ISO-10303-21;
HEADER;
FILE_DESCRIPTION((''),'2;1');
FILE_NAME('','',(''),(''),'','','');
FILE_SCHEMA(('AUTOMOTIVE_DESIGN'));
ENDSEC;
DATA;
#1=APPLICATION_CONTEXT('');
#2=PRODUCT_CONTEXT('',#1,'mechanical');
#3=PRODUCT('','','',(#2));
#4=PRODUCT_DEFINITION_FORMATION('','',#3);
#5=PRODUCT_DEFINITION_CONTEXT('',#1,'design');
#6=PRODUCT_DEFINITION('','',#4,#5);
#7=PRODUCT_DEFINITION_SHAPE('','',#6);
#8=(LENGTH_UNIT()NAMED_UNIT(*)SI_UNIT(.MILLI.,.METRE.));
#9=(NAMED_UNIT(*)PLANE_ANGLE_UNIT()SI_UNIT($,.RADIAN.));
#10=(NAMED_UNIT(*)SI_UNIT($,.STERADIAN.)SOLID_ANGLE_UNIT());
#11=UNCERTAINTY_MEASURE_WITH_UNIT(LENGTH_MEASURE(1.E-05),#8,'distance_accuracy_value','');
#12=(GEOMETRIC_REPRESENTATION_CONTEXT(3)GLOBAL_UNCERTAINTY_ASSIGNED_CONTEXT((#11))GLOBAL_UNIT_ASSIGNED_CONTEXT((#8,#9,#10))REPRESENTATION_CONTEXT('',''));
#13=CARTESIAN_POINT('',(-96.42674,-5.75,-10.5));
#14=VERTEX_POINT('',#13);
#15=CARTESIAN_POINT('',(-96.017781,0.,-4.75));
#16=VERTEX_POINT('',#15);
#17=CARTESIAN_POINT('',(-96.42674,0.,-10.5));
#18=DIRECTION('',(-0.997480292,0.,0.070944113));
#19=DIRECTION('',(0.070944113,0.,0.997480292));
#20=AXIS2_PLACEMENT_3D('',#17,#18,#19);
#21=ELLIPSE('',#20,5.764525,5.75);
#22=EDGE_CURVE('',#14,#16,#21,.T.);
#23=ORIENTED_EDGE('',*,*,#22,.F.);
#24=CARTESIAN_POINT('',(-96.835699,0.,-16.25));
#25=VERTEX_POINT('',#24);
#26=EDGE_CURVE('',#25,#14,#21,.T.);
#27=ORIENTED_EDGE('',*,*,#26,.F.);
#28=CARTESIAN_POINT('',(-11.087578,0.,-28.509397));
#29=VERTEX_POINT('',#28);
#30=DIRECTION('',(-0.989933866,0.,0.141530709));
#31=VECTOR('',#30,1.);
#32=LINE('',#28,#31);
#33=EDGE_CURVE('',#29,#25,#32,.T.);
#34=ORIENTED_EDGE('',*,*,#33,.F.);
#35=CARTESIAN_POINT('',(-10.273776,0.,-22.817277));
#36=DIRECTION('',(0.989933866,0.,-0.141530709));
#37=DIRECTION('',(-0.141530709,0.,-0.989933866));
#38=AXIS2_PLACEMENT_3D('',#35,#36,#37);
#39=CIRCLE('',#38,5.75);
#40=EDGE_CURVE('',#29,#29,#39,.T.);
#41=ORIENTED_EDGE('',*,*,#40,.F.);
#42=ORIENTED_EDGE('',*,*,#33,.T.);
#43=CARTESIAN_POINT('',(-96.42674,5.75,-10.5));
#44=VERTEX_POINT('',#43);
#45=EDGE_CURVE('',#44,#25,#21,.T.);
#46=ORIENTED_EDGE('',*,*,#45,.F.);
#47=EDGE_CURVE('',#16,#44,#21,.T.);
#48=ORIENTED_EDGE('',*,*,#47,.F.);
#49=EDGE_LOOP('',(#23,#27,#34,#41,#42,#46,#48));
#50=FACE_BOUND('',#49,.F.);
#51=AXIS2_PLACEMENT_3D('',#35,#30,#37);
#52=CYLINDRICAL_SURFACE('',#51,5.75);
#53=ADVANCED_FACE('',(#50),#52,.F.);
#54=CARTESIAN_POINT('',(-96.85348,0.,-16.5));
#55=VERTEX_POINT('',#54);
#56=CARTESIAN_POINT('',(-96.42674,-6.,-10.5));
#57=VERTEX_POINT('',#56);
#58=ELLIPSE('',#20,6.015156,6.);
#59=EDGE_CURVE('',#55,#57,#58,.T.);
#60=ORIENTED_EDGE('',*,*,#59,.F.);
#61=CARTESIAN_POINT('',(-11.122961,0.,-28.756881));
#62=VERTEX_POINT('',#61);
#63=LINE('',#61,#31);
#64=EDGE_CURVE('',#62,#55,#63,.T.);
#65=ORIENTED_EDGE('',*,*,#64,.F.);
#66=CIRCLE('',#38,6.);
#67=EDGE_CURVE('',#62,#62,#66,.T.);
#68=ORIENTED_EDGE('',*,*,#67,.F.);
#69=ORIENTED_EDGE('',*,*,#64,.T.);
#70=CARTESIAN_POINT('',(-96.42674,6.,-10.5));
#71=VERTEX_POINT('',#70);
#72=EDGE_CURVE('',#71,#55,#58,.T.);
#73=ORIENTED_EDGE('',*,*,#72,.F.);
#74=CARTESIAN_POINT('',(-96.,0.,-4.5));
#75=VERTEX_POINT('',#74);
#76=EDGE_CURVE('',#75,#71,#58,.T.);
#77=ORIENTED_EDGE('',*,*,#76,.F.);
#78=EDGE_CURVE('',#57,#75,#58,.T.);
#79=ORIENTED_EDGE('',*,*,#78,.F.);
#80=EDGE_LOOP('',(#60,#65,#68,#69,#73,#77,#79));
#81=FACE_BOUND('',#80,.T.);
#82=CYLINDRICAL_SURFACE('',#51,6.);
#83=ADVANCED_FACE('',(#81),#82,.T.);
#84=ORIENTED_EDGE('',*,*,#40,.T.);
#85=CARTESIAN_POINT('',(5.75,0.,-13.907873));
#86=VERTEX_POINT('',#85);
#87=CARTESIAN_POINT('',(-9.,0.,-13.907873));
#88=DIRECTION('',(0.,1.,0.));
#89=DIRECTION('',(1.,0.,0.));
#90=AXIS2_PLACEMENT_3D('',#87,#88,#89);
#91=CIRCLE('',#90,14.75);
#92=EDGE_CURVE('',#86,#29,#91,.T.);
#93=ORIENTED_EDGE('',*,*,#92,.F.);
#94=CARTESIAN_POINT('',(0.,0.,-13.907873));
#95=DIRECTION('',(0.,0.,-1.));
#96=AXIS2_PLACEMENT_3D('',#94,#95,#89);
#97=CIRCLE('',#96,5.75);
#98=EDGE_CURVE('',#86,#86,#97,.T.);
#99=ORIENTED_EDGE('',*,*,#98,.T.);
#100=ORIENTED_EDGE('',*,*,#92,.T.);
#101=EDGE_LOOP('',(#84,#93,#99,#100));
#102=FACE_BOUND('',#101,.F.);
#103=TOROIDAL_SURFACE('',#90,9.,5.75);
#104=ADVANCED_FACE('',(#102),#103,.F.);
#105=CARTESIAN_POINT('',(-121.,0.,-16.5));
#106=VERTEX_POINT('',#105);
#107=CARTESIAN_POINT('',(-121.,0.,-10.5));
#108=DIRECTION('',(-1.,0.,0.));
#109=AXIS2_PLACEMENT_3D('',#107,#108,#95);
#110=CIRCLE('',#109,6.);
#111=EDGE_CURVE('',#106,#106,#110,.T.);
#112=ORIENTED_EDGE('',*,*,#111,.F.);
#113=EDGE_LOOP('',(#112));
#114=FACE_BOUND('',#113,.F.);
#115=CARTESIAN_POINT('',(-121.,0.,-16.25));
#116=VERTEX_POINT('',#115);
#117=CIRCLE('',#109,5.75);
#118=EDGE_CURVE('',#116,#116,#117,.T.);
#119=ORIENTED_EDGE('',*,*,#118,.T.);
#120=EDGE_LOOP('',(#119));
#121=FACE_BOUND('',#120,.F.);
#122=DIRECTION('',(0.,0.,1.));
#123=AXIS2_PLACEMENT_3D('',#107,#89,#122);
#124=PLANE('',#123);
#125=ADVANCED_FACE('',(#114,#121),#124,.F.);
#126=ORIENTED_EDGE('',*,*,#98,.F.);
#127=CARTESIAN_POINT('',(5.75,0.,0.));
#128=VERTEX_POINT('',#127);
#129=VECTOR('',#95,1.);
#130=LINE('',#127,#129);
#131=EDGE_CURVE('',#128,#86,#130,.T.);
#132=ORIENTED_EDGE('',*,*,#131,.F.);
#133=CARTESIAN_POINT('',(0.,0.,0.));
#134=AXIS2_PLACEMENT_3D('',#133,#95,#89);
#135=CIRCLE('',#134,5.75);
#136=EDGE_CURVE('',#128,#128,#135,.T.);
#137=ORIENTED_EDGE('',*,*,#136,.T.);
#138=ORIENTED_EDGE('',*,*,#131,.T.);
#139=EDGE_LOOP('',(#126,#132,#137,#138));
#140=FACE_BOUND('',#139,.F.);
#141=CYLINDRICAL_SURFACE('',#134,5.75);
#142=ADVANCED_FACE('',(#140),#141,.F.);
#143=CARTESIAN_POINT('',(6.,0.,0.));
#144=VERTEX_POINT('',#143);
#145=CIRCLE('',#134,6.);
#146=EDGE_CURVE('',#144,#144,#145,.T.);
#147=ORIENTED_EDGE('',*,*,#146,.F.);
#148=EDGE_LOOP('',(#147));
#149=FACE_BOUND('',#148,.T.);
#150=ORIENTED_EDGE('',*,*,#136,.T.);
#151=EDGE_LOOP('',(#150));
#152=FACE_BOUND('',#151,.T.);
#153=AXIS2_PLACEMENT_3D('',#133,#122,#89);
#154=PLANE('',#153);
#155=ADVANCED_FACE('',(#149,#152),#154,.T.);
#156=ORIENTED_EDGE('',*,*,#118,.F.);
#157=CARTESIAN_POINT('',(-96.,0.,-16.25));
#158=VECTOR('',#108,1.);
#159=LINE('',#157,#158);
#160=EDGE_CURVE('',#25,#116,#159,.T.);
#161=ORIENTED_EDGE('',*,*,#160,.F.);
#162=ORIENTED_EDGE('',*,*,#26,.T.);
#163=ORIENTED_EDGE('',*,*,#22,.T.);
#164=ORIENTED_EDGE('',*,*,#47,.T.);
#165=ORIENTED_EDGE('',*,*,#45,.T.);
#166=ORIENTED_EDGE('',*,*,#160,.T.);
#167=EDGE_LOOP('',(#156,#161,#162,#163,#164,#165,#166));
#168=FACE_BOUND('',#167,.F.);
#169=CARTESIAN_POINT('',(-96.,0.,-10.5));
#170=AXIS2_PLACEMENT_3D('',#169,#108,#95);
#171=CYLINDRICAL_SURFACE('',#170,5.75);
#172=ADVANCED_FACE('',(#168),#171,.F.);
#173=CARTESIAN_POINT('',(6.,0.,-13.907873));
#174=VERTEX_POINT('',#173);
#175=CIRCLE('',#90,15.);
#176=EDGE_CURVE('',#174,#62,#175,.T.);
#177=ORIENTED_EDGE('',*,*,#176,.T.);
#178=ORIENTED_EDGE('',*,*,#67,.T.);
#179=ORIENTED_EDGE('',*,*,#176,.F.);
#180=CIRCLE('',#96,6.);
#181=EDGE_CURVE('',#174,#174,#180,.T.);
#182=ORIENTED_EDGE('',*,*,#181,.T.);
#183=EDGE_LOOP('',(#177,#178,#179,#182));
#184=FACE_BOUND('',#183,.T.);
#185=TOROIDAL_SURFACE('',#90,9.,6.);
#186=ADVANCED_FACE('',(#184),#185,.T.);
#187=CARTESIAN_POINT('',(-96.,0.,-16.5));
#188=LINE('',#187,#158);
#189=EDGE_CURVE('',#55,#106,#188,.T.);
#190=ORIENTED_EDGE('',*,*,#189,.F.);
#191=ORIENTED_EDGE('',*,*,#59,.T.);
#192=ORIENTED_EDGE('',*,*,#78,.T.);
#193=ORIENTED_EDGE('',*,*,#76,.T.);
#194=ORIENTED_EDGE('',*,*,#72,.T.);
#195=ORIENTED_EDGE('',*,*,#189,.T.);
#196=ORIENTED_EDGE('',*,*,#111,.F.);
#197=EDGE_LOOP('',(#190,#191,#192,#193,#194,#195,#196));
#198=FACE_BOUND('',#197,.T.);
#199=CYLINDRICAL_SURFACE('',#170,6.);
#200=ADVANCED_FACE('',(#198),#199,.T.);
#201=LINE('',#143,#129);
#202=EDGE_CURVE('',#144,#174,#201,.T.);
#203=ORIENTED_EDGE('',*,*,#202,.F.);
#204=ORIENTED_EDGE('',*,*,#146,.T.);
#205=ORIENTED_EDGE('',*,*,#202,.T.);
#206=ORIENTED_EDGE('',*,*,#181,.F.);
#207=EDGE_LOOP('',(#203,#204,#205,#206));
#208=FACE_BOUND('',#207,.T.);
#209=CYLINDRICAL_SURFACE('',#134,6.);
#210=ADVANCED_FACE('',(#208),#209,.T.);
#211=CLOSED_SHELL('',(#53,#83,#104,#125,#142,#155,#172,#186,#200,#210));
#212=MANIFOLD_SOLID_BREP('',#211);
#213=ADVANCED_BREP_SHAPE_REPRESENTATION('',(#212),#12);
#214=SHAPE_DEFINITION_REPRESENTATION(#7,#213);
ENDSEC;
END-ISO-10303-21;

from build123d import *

# Parameters (mm, degrees)
F0_R   = 6
F0_R_2 = 5.75


with BuildPart() as f2:
    # F2: sweep along a path in F1
    with BuildLine(Plane.XZ) as f2_path:
        Line((-6, 0), (-6, -13.9078725958))
        ThreePointArc((-6, -13.9078725958), (-7.0345199545, -16.1743430215), (-9.4245921271, -16.8776741928))
        Line((-9.4245921271, -16.8776741928), (-96, -4.5))
        Line((-96, -4.5), (-121, -4.5))
    # F0 (on Top) → F2 (sweep)
    with BuildSketch(Plane.XY):
        Circle(F0_R)
        Circle(F0_R_2, mode=Mode.SUBTRACT)
    sweep(path=f2_path.line, transition=Transition.RIGHT)


solid = f2.part
